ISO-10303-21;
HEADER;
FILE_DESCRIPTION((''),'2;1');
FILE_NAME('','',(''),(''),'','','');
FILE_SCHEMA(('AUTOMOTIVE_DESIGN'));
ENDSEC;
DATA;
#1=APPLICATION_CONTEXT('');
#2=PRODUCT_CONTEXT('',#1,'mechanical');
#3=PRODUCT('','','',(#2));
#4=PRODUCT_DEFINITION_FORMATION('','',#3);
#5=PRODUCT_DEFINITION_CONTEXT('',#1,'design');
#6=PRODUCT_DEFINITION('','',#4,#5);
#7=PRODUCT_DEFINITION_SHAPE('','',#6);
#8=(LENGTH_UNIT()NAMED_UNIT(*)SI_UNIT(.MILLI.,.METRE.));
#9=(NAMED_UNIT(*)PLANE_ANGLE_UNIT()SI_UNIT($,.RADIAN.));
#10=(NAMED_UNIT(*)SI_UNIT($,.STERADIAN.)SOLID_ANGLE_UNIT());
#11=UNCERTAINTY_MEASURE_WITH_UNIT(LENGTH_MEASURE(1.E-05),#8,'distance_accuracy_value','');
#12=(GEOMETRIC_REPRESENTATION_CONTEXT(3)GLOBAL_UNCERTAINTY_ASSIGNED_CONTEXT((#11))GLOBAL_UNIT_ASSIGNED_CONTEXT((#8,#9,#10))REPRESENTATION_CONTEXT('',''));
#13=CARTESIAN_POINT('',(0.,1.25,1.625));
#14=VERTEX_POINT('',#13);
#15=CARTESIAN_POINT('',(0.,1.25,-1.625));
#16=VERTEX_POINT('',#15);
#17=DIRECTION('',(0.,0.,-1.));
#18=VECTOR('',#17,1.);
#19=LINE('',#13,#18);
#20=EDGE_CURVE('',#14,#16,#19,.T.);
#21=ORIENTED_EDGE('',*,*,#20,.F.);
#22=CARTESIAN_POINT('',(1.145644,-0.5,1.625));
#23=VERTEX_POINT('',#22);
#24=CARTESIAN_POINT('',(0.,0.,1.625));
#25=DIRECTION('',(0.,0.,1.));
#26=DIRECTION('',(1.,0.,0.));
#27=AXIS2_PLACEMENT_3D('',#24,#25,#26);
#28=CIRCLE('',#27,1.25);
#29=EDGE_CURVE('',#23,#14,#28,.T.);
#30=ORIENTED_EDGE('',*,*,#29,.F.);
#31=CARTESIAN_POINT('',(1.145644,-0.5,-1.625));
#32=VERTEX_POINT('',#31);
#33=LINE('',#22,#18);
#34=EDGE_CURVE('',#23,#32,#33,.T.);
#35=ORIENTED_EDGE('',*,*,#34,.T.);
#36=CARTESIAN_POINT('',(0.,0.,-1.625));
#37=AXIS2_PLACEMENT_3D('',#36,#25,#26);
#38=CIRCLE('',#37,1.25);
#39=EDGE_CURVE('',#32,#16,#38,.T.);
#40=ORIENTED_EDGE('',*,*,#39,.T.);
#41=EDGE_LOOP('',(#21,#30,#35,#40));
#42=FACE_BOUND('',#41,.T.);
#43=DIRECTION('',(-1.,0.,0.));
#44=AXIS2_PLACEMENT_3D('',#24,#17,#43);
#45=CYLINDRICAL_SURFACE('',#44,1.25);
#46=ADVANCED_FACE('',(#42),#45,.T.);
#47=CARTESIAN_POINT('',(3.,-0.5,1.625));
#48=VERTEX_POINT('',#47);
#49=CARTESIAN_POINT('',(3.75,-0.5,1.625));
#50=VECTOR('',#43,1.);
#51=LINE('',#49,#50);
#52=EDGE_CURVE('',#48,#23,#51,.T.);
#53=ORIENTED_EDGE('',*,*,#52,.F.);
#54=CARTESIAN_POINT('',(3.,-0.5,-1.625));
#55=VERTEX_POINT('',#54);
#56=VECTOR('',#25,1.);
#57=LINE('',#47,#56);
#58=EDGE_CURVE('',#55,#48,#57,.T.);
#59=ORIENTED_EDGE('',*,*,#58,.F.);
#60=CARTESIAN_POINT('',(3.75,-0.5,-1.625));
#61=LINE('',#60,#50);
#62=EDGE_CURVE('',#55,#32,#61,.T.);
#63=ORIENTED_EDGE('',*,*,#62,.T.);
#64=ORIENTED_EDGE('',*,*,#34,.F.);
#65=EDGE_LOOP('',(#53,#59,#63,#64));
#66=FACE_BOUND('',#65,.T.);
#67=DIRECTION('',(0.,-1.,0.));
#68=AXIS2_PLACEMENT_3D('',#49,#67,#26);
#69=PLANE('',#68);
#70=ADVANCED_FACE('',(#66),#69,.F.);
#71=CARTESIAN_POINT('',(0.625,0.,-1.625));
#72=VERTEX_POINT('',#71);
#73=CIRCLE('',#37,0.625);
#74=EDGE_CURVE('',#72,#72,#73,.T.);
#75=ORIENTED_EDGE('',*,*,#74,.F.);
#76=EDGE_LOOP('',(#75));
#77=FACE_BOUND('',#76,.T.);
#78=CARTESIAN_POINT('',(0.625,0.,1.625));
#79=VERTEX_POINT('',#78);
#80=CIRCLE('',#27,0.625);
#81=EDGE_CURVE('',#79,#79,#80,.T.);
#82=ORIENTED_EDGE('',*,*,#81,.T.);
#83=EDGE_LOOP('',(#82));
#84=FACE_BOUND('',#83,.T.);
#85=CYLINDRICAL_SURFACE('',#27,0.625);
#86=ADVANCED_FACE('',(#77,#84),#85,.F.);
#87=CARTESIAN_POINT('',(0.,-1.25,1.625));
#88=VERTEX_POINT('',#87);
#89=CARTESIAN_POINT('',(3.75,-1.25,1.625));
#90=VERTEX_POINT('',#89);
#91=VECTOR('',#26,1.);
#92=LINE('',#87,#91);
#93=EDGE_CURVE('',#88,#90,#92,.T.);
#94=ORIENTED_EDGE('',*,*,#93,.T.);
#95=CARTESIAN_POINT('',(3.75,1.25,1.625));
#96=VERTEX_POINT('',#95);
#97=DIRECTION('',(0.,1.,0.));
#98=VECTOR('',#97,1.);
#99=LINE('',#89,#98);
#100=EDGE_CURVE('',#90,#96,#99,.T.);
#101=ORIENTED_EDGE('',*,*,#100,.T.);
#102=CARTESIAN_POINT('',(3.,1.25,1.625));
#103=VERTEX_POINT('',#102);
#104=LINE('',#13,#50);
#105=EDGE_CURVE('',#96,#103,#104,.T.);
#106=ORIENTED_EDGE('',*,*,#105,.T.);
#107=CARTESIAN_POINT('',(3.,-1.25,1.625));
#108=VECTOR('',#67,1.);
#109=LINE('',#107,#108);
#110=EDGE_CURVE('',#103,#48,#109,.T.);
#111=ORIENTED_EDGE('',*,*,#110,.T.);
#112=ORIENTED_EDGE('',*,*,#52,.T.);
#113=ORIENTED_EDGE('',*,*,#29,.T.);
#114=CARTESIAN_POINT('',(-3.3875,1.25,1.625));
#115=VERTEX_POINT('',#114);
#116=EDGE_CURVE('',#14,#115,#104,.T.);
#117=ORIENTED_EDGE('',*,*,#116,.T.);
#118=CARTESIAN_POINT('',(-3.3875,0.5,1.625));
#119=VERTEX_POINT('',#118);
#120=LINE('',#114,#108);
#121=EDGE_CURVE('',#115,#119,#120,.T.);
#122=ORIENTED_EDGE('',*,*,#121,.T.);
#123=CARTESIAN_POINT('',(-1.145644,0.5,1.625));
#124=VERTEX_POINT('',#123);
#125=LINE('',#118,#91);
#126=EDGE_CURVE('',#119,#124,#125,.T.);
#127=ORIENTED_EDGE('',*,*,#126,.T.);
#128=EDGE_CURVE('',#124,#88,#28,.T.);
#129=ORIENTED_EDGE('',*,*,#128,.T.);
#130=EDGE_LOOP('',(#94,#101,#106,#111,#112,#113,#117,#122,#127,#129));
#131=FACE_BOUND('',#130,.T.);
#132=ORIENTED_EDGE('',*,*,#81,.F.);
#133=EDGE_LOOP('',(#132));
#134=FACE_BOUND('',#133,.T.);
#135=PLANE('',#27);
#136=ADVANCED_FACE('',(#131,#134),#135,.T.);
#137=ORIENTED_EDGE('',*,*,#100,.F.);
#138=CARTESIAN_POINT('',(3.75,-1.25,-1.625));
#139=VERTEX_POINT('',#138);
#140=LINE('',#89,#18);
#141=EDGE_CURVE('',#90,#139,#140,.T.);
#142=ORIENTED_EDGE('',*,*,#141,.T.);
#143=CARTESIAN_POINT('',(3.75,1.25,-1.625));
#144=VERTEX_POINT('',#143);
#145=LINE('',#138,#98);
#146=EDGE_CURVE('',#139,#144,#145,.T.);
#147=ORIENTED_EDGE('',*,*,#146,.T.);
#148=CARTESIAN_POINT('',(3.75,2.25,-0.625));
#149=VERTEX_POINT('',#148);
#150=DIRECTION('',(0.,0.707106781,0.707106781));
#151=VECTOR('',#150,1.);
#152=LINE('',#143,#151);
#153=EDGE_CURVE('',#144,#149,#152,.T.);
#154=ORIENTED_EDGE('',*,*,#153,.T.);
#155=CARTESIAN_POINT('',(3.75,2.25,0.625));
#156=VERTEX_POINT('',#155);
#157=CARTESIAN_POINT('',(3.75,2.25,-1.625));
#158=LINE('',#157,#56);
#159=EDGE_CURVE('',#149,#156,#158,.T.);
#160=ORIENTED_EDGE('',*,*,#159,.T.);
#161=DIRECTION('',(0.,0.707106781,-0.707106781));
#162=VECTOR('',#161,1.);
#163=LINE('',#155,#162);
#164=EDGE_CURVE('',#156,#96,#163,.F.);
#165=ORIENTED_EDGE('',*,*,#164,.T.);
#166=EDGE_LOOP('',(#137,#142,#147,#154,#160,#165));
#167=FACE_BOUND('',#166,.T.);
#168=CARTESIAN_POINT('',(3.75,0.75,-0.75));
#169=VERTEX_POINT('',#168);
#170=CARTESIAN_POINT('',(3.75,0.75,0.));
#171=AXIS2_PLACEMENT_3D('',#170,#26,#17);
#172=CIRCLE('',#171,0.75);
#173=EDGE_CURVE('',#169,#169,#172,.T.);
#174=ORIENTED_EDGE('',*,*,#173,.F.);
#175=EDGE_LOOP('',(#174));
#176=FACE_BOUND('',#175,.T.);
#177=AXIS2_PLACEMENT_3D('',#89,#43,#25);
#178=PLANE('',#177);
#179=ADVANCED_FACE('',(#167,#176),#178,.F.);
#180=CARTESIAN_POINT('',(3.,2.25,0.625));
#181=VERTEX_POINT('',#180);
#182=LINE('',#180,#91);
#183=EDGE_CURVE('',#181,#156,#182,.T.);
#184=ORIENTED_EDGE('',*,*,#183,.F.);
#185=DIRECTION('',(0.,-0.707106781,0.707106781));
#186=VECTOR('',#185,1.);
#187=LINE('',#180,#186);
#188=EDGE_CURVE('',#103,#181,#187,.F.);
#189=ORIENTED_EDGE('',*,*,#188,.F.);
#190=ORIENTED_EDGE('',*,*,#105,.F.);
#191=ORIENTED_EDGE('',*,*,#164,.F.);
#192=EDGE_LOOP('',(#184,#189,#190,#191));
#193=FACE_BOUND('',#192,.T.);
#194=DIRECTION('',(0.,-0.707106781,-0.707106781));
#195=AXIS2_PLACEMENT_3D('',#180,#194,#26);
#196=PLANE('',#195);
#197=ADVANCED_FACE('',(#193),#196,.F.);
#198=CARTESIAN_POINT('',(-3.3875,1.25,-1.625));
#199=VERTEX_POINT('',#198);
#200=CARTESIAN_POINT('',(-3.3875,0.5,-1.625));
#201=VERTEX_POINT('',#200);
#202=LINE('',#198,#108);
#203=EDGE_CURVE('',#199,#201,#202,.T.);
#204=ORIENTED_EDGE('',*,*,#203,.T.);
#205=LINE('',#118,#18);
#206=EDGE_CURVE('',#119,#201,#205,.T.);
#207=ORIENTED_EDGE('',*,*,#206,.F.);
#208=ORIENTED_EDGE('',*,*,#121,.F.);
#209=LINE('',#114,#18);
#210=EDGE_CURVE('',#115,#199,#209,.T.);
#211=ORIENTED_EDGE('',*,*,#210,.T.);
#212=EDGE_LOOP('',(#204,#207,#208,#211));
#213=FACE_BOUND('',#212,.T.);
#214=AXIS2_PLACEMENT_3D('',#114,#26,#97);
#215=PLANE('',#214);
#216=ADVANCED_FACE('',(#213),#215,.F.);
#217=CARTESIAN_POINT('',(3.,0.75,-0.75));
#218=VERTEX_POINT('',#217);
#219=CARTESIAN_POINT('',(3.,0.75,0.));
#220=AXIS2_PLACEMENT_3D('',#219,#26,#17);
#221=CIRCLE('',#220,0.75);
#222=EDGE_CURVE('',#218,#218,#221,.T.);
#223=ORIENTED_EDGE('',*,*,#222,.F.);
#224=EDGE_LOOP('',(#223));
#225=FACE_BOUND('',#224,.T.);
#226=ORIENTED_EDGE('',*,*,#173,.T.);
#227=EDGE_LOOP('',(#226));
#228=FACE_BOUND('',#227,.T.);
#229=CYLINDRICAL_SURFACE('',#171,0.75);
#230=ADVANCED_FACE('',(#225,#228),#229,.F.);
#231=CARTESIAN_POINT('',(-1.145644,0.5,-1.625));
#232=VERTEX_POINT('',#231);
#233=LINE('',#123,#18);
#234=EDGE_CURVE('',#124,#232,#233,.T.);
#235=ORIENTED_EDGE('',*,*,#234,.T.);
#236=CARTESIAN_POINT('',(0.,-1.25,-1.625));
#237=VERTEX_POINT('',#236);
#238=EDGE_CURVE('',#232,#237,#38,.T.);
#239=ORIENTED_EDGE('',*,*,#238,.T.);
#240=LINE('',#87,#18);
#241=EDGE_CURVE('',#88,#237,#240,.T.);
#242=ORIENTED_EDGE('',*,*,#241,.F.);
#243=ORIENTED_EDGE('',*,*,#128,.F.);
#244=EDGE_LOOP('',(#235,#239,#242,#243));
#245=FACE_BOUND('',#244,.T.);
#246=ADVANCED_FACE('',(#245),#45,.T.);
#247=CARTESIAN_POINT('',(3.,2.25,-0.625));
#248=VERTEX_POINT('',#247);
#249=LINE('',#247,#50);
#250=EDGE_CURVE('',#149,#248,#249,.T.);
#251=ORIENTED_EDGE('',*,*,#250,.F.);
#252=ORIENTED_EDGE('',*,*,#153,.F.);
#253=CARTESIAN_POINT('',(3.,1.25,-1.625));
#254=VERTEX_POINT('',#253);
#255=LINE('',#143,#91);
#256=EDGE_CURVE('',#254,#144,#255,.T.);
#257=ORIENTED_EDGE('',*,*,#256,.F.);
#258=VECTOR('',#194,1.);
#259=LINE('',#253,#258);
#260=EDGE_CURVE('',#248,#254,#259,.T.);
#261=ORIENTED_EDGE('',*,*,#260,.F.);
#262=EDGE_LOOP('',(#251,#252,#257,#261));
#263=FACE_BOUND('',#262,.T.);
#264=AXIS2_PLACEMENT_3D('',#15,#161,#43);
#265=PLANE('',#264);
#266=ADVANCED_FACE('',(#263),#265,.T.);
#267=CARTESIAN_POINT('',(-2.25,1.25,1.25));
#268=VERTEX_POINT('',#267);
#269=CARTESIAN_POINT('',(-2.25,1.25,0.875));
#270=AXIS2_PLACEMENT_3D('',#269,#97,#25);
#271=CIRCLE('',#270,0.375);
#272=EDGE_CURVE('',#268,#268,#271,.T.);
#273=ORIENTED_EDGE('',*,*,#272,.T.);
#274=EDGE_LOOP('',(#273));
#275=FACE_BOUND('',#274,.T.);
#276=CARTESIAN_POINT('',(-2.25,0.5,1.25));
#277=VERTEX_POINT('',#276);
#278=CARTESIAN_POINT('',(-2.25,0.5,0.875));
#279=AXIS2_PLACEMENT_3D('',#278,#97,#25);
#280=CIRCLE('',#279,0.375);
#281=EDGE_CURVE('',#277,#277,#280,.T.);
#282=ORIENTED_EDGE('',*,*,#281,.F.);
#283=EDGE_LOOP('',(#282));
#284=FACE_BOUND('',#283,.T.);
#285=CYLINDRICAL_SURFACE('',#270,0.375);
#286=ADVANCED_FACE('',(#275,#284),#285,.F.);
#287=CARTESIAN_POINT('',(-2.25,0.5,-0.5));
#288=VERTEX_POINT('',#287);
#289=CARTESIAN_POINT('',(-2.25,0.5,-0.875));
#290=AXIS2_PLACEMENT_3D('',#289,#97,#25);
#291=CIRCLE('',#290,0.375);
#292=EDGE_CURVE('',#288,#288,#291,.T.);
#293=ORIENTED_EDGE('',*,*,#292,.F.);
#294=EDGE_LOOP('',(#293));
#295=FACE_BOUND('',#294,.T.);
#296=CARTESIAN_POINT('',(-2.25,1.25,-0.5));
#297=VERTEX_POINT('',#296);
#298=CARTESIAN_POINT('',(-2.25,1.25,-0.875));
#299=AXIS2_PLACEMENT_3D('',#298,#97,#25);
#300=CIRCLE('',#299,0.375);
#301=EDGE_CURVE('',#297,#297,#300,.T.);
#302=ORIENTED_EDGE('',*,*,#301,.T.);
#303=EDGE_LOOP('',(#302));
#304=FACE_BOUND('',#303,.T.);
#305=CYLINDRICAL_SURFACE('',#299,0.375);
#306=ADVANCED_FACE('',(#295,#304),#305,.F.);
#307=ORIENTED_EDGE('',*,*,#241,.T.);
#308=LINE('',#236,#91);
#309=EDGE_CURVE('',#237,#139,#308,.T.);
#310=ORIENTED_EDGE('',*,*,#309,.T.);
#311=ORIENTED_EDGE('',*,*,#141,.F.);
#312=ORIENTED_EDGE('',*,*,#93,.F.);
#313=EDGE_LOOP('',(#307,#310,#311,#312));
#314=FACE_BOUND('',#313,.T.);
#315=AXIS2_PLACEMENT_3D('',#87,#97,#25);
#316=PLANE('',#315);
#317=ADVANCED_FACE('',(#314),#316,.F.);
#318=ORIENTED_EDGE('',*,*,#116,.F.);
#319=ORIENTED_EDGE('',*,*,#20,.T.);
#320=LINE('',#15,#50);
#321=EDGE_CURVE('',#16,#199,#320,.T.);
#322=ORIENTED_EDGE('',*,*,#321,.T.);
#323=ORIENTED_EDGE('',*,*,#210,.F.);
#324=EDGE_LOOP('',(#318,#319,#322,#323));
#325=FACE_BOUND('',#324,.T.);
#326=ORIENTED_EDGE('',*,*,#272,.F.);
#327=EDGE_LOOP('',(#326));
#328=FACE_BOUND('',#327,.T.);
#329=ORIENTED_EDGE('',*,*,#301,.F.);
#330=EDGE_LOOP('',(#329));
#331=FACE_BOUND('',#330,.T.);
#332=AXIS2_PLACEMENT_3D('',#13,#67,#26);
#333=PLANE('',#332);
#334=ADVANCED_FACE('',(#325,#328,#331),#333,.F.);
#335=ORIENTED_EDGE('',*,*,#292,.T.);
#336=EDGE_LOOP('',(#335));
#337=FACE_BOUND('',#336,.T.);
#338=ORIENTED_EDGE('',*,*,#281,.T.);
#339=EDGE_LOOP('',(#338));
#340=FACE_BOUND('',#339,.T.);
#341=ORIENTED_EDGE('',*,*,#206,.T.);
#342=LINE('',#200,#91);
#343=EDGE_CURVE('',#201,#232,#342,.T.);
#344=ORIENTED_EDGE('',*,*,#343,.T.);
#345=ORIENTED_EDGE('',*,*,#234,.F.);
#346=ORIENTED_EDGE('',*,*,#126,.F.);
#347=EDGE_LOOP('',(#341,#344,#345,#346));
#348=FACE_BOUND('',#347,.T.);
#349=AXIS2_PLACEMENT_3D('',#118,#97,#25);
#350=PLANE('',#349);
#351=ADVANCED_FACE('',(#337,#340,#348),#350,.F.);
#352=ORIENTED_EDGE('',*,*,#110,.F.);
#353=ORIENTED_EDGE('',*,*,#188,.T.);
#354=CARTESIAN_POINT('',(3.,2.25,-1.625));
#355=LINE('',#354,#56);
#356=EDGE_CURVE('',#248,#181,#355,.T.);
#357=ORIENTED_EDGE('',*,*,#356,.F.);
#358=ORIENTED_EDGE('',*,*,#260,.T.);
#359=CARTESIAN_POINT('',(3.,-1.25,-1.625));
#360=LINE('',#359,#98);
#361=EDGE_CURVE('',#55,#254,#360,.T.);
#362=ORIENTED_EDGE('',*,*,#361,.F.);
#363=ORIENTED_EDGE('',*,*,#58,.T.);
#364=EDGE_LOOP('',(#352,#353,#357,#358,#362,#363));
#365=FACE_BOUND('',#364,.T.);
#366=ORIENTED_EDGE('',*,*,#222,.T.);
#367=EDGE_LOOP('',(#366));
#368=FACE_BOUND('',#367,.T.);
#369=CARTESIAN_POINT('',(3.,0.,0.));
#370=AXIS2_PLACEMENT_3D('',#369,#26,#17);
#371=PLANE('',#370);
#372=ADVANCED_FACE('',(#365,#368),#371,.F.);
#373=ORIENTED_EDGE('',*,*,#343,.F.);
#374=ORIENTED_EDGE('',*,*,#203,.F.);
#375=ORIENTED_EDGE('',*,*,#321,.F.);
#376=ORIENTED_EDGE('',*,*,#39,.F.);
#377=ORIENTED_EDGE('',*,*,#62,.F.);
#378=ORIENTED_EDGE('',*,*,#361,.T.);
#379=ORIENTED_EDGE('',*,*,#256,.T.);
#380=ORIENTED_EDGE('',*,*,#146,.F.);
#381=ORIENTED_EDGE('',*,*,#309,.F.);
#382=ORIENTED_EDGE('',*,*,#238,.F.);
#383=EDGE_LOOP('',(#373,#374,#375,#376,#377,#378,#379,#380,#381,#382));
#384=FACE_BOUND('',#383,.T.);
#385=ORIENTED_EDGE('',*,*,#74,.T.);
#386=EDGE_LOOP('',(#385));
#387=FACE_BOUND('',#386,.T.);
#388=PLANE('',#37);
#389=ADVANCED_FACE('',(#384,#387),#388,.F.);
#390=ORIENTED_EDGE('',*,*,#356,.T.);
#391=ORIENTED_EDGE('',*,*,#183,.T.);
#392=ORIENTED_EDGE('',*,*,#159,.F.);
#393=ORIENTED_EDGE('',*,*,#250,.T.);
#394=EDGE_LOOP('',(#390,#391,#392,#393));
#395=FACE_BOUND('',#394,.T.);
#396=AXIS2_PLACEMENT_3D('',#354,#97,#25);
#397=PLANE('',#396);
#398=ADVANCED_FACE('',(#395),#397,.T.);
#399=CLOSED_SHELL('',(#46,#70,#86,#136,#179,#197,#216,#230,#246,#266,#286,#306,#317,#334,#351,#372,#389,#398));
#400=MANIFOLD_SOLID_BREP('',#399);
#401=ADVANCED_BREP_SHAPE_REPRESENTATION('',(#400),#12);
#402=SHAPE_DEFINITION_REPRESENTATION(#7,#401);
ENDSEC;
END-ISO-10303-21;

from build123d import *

# Parameters (mm, degrees)
BOSS_EXTRUDE2_DEPTH            = 1.625
SKETCH4_W                      = 3.25
SKETCH4_H                      = 3.5
BOSS_EXTRUDE3_DEPTH            = 0.75
CHAMFER1_SIZE                  = 1
F_1_25_1_25_DIAMETER_HOLE1_D   = 1.25
F_1_5_1_5_DIAMETER_HOLE1_D     = 1.5
F_1_5_1_5_DIAMETER_HOLE1_DEPTH = 0.75
F_0_75_0_75_DIAMETER_HOLE1_D   = 0.75


with BuildPart() as part:
    # Sketch3 → Boss-Extrude2 (new, symmetric)
    with BuildSketch(Plane.XY):
        with BuildLine():
            Line((0, 1.25), (-3.3875, 1.25))
            Line((-3.3875, 1.25), (-3.3875, 0.5))
            Line((-3.3875, 0.5), (-1.145643924, 0.5))
            ThreePointArc((-1.145643924, 0.5), (-1.045825033, -0.684653197), (0, -1.25))
            Line((0, -1.25), (3.75, -1.25))
            Line((3.75, -1.25), (3.75, -0.5))
            Line((3.75, -0.5), (1.145643924, -0.5))
            ThreePointArc((1.145643924, -0.5), (1.045825033, 0.684653197), (0, 1.25))
        make_face()
    extrude(amount=BOSS_EXTRUDE2_DEPTH, both=True)

    # Sketch4 → Boss-Extrude3 (add)
    with BuildSketch(Plane(origin=(3.75, 0, 0), x_dir=(0, 0, -1), z_dir=(1, 0, 0))):
        with Locations((0, 0.5)):
            Rectangle(SKETCH4_W, SKETCH4_H)
    extrude(amount=-BOSS_EXTRUDE3_DEPTH)

    # Chamfer1
    chamfer1_edges = [part.edges().sort_by_distance(p)[0] for p in [
        (3.375, 2.25, -1.625),
        (3.375, 2.25, 1.625),
    ]]
    chamfer(chamfer1_edges, length=CHAMFER1_SIZE)

    # Ø1.25 (1.25) Diameter Hole1 (through all)
    with Locations(Plane.XY.offset(1.625)):
        with Locations((0, 0)):
            Hole(F_1_25_1_25_DIAMETER_HOLE1_D / 2)

    # Ø1.5 (1.5) Diameter Hole1
    with Locations(Plane(origin=(3.75, 0, 0), x_dir=(0, 0, -1), z_dir=(1, 0, 0))):
        with Locations((0, 0.75)):
            Hole(F_1_5_1_5_DIAMETER_HOLE1_D / 2, depth=F_1_5_1_5_DIAMETER_HOLE1_DEPTH)

    # Ø0.75 (0.75) Diameter Hole1 (through all)
    with Locations(Plane(origin=(0, 1.25, 0), x_dir=(1, 0, 0), z_dir=(0, 1, 0))):
        with Locations((-2.25, 0.875)):
            f_0_75_0_75_diameter_hole1 = Hole(F_0_75_0_75_DIAMETER_HOLE1_D / 2)

    # Mirror1: Ø0.75 (0.75) Diameter Hole1 across plane
    add(f_0_75_0_75_diameter_hole1.mirror(Plane.XY), mode=Mode.SUBTRACT)


solid = part.part
